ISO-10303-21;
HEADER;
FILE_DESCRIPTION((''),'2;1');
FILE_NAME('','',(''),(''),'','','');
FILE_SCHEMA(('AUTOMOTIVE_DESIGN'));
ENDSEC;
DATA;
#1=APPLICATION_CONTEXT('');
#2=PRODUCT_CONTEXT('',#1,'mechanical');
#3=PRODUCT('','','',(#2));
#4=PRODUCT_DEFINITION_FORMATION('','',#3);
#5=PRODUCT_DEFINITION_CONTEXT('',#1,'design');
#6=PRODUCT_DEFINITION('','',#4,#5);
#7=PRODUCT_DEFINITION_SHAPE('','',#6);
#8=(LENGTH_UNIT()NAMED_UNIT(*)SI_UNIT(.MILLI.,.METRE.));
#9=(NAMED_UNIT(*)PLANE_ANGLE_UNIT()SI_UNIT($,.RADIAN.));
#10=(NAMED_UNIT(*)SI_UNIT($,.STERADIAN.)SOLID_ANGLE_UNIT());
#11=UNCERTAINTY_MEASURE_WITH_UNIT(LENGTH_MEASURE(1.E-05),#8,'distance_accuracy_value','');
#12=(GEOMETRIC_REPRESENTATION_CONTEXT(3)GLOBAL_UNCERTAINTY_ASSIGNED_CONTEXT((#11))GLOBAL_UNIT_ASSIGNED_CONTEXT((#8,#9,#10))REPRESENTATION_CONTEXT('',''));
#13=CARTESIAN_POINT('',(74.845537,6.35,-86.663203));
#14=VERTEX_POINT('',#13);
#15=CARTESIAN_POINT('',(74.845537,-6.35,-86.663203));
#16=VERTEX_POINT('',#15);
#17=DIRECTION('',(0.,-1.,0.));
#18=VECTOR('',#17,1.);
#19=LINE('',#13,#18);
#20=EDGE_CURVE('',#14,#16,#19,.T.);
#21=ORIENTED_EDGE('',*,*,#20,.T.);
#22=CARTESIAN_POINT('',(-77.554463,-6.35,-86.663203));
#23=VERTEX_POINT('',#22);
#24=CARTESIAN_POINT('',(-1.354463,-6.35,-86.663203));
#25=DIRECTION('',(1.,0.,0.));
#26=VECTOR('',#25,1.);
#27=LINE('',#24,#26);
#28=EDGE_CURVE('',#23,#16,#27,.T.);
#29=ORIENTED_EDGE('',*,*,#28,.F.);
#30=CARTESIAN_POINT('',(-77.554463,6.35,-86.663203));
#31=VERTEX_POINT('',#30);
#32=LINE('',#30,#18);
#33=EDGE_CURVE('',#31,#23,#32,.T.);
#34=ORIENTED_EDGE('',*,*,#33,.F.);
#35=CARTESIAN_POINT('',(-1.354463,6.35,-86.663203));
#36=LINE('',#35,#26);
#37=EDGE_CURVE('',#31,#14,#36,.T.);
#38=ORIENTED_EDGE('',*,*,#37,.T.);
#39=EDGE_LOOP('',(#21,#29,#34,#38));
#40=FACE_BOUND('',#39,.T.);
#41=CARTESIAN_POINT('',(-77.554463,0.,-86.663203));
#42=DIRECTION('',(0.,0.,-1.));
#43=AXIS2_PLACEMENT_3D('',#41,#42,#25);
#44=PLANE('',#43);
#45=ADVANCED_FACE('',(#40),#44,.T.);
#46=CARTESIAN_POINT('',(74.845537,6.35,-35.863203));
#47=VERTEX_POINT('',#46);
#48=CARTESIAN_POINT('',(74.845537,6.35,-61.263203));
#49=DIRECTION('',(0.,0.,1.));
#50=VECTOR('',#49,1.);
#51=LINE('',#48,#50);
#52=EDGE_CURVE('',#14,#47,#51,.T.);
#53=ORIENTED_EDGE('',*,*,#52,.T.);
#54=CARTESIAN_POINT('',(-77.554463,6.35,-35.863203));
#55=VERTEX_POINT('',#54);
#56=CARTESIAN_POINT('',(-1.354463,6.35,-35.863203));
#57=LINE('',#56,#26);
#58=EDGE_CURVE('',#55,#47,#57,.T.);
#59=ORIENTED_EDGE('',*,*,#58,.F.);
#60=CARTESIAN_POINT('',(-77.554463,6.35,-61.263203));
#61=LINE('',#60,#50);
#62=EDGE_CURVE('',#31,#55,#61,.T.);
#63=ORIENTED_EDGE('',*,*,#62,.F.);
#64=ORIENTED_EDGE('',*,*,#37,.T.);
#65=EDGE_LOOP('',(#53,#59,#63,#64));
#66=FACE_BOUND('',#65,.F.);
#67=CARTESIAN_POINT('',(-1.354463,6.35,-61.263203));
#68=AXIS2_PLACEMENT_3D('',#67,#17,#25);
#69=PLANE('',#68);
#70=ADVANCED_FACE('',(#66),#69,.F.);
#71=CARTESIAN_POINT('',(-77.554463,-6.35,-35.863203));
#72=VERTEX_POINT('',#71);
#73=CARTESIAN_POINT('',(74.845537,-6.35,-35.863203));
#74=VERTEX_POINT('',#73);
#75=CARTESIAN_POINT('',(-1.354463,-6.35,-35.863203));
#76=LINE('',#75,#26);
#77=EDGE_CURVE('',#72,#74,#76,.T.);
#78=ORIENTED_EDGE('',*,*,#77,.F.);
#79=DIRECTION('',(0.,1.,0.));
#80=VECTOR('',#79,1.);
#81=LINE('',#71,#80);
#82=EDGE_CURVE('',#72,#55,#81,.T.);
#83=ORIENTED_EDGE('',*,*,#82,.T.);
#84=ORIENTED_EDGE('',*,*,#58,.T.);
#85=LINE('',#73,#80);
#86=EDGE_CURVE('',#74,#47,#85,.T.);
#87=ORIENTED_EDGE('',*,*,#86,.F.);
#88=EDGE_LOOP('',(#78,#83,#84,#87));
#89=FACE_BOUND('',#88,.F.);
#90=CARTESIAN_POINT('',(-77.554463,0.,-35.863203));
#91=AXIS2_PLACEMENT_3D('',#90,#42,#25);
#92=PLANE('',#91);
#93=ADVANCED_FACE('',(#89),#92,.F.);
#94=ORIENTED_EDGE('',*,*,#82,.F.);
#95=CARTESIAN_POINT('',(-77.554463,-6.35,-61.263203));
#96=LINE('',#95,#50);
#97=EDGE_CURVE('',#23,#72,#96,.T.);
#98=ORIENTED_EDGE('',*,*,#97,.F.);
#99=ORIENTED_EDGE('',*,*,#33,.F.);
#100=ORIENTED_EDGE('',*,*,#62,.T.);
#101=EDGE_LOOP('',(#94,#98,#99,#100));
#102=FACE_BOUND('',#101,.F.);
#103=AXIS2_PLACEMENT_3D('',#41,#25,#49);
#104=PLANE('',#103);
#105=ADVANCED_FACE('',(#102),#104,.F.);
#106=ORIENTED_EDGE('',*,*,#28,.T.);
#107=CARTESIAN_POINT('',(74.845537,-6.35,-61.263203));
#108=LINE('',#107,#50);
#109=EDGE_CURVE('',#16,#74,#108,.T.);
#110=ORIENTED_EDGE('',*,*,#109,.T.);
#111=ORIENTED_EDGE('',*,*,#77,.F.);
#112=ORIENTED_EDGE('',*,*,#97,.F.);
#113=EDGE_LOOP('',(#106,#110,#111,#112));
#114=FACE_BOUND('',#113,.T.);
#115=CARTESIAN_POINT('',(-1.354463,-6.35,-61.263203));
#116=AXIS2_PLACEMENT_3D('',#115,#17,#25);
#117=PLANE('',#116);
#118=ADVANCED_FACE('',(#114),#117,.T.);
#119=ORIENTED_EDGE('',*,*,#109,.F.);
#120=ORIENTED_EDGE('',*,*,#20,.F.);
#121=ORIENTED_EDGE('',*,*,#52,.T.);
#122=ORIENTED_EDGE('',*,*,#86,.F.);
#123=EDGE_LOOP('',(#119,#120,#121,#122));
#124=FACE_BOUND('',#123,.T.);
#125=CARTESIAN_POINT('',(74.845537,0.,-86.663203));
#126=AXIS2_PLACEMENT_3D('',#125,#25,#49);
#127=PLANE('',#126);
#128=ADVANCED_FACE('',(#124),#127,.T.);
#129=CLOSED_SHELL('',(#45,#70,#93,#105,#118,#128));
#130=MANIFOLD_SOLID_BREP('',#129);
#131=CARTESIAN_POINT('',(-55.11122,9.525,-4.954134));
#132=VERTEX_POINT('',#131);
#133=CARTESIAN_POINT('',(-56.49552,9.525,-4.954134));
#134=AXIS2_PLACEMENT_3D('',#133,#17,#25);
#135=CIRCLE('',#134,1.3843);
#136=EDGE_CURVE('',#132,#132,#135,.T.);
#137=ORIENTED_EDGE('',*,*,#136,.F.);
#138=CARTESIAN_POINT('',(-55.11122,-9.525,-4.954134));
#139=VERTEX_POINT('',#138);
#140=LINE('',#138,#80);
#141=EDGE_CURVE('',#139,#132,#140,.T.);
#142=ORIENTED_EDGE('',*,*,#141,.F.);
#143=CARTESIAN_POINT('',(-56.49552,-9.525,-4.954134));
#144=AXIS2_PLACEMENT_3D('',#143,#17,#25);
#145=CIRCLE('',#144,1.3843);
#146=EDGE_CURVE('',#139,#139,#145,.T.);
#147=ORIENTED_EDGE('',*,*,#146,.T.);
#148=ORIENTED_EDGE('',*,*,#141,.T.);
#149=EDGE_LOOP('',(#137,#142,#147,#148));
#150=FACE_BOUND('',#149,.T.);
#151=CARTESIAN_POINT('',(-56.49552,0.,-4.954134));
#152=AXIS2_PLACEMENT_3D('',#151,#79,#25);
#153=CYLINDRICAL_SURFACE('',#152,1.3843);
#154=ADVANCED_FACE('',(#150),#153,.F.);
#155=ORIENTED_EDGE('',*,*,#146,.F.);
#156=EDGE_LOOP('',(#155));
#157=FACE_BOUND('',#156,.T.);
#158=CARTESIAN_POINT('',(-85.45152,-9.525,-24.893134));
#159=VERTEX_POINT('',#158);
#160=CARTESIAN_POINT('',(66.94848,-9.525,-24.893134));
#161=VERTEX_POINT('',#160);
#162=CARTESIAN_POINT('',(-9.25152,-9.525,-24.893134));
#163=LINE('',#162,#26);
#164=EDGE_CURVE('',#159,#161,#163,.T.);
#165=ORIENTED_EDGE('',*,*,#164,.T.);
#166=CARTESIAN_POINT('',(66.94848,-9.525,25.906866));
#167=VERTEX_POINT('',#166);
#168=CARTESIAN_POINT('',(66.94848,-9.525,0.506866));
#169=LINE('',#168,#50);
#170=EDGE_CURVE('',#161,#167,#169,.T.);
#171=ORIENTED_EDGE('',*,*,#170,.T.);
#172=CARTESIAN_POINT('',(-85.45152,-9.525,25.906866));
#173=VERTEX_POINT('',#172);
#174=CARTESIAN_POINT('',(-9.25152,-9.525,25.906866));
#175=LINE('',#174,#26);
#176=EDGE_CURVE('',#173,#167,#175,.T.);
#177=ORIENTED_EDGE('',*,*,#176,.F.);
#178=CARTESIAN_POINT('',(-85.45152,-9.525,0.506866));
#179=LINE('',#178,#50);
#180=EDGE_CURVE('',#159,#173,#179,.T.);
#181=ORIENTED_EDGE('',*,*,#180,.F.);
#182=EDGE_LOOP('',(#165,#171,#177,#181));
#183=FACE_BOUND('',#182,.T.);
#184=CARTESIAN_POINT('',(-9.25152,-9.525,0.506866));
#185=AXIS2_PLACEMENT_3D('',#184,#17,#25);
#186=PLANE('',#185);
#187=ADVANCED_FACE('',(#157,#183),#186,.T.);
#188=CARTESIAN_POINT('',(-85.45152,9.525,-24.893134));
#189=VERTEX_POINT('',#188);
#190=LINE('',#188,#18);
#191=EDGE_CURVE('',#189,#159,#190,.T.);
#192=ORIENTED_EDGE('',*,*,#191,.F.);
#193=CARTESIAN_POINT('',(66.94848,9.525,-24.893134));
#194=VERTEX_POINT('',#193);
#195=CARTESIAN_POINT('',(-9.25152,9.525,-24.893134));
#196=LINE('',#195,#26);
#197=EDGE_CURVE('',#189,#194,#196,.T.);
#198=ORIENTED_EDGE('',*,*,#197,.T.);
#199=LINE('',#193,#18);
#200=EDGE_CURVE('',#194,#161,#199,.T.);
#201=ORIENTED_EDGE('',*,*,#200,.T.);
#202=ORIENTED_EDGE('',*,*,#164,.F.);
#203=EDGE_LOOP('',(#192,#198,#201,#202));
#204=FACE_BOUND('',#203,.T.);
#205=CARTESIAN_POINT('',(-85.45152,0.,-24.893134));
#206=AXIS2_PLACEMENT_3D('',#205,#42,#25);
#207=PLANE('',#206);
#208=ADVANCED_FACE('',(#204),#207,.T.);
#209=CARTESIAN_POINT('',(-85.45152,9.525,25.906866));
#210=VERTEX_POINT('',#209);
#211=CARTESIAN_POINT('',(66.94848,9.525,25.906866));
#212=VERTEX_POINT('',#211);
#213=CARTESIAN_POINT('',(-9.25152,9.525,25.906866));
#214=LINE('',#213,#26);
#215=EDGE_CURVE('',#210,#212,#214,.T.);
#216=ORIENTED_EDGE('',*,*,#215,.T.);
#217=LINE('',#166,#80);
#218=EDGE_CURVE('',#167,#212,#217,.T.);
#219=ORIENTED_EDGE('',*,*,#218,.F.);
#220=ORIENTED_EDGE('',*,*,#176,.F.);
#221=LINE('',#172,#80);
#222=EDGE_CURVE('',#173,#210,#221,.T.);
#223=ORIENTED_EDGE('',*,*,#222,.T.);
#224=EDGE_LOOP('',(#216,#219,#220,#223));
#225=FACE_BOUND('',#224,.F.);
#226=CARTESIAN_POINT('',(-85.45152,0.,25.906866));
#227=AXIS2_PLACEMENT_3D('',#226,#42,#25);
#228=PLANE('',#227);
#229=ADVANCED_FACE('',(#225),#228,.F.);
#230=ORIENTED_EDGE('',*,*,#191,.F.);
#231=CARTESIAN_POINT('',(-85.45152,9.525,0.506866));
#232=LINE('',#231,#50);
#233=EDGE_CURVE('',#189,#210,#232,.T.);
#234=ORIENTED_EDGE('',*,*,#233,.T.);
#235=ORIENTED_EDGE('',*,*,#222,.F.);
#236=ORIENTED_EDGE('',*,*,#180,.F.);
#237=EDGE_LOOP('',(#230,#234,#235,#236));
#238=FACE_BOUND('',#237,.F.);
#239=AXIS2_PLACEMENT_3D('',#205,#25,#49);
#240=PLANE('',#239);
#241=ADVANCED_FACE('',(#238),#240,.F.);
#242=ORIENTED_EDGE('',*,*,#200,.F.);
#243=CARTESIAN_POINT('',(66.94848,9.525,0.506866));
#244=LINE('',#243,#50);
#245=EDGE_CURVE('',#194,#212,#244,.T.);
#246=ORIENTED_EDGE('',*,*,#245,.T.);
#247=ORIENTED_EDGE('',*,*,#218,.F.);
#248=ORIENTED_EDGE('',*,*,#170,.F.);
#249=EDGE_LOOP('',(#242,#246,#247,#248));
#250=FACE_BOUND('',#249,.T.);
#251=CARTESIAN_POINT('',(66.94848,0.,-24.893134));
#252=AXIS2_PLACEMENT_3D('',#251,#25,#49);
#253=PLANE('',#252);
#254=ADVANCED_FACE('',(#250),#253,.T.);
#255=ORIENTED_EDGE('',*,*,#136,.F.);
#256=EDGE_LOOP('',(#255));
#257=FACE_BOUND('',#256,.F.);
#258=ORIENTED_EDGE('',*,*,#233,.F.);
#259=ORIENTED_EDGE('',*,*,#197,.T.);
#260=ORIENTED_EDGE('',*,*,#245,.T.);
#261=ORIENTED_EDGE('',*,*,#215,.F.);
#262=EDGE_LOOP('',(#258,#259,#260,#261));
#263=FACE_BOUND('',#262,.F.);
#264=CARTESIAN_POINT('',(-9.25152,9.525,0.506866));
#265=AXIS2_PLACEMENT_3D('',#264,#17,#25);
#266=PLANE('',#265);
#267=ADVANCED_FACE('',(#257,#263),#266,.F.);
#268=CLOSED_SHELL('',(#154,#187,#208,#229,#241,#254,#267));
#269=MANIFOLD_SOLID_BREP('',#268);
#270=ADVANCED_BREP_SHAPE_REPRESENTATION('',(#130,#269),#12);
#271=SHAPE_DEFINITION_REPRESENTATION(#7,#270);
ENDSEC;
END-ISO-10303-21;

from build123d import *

# Parameters (mm, degrees)
F0_W     = 152.4
F0_H     = 50.8
F0_R     = 1.3843
F1_DEPTH = 9.525
F2_W     = 152.4
F2_H     = 50.8
F3_DEPTH = 6.35


with BuildPart() as f1:
    # F0 (on Front) → F1 (new body, symmetric)
    with BuildSketch(Plane.XZ):
        with Locations((-9.25152, 0.506866)):
            Rectangle(F0_W, F0_H)
        with Locations((-56.49552, -4.954134)):
            Circle(F0_R, mode=Mode.SUBTRACT)
    extrude(amount=F1_DEPTH, both=True)


with BuildPart() as f3:
    # F2 (on Front) → F3 (new body, symmetric)
    with BuildSketch(Plane.XZ):
        with Locations((-1.354463, -61.263203)):
            Rectangle(F2_W, F2_H)
    extrude(amount=F3_DEPTH, both=True)


solid = Compound([f1.part, f3.part])
